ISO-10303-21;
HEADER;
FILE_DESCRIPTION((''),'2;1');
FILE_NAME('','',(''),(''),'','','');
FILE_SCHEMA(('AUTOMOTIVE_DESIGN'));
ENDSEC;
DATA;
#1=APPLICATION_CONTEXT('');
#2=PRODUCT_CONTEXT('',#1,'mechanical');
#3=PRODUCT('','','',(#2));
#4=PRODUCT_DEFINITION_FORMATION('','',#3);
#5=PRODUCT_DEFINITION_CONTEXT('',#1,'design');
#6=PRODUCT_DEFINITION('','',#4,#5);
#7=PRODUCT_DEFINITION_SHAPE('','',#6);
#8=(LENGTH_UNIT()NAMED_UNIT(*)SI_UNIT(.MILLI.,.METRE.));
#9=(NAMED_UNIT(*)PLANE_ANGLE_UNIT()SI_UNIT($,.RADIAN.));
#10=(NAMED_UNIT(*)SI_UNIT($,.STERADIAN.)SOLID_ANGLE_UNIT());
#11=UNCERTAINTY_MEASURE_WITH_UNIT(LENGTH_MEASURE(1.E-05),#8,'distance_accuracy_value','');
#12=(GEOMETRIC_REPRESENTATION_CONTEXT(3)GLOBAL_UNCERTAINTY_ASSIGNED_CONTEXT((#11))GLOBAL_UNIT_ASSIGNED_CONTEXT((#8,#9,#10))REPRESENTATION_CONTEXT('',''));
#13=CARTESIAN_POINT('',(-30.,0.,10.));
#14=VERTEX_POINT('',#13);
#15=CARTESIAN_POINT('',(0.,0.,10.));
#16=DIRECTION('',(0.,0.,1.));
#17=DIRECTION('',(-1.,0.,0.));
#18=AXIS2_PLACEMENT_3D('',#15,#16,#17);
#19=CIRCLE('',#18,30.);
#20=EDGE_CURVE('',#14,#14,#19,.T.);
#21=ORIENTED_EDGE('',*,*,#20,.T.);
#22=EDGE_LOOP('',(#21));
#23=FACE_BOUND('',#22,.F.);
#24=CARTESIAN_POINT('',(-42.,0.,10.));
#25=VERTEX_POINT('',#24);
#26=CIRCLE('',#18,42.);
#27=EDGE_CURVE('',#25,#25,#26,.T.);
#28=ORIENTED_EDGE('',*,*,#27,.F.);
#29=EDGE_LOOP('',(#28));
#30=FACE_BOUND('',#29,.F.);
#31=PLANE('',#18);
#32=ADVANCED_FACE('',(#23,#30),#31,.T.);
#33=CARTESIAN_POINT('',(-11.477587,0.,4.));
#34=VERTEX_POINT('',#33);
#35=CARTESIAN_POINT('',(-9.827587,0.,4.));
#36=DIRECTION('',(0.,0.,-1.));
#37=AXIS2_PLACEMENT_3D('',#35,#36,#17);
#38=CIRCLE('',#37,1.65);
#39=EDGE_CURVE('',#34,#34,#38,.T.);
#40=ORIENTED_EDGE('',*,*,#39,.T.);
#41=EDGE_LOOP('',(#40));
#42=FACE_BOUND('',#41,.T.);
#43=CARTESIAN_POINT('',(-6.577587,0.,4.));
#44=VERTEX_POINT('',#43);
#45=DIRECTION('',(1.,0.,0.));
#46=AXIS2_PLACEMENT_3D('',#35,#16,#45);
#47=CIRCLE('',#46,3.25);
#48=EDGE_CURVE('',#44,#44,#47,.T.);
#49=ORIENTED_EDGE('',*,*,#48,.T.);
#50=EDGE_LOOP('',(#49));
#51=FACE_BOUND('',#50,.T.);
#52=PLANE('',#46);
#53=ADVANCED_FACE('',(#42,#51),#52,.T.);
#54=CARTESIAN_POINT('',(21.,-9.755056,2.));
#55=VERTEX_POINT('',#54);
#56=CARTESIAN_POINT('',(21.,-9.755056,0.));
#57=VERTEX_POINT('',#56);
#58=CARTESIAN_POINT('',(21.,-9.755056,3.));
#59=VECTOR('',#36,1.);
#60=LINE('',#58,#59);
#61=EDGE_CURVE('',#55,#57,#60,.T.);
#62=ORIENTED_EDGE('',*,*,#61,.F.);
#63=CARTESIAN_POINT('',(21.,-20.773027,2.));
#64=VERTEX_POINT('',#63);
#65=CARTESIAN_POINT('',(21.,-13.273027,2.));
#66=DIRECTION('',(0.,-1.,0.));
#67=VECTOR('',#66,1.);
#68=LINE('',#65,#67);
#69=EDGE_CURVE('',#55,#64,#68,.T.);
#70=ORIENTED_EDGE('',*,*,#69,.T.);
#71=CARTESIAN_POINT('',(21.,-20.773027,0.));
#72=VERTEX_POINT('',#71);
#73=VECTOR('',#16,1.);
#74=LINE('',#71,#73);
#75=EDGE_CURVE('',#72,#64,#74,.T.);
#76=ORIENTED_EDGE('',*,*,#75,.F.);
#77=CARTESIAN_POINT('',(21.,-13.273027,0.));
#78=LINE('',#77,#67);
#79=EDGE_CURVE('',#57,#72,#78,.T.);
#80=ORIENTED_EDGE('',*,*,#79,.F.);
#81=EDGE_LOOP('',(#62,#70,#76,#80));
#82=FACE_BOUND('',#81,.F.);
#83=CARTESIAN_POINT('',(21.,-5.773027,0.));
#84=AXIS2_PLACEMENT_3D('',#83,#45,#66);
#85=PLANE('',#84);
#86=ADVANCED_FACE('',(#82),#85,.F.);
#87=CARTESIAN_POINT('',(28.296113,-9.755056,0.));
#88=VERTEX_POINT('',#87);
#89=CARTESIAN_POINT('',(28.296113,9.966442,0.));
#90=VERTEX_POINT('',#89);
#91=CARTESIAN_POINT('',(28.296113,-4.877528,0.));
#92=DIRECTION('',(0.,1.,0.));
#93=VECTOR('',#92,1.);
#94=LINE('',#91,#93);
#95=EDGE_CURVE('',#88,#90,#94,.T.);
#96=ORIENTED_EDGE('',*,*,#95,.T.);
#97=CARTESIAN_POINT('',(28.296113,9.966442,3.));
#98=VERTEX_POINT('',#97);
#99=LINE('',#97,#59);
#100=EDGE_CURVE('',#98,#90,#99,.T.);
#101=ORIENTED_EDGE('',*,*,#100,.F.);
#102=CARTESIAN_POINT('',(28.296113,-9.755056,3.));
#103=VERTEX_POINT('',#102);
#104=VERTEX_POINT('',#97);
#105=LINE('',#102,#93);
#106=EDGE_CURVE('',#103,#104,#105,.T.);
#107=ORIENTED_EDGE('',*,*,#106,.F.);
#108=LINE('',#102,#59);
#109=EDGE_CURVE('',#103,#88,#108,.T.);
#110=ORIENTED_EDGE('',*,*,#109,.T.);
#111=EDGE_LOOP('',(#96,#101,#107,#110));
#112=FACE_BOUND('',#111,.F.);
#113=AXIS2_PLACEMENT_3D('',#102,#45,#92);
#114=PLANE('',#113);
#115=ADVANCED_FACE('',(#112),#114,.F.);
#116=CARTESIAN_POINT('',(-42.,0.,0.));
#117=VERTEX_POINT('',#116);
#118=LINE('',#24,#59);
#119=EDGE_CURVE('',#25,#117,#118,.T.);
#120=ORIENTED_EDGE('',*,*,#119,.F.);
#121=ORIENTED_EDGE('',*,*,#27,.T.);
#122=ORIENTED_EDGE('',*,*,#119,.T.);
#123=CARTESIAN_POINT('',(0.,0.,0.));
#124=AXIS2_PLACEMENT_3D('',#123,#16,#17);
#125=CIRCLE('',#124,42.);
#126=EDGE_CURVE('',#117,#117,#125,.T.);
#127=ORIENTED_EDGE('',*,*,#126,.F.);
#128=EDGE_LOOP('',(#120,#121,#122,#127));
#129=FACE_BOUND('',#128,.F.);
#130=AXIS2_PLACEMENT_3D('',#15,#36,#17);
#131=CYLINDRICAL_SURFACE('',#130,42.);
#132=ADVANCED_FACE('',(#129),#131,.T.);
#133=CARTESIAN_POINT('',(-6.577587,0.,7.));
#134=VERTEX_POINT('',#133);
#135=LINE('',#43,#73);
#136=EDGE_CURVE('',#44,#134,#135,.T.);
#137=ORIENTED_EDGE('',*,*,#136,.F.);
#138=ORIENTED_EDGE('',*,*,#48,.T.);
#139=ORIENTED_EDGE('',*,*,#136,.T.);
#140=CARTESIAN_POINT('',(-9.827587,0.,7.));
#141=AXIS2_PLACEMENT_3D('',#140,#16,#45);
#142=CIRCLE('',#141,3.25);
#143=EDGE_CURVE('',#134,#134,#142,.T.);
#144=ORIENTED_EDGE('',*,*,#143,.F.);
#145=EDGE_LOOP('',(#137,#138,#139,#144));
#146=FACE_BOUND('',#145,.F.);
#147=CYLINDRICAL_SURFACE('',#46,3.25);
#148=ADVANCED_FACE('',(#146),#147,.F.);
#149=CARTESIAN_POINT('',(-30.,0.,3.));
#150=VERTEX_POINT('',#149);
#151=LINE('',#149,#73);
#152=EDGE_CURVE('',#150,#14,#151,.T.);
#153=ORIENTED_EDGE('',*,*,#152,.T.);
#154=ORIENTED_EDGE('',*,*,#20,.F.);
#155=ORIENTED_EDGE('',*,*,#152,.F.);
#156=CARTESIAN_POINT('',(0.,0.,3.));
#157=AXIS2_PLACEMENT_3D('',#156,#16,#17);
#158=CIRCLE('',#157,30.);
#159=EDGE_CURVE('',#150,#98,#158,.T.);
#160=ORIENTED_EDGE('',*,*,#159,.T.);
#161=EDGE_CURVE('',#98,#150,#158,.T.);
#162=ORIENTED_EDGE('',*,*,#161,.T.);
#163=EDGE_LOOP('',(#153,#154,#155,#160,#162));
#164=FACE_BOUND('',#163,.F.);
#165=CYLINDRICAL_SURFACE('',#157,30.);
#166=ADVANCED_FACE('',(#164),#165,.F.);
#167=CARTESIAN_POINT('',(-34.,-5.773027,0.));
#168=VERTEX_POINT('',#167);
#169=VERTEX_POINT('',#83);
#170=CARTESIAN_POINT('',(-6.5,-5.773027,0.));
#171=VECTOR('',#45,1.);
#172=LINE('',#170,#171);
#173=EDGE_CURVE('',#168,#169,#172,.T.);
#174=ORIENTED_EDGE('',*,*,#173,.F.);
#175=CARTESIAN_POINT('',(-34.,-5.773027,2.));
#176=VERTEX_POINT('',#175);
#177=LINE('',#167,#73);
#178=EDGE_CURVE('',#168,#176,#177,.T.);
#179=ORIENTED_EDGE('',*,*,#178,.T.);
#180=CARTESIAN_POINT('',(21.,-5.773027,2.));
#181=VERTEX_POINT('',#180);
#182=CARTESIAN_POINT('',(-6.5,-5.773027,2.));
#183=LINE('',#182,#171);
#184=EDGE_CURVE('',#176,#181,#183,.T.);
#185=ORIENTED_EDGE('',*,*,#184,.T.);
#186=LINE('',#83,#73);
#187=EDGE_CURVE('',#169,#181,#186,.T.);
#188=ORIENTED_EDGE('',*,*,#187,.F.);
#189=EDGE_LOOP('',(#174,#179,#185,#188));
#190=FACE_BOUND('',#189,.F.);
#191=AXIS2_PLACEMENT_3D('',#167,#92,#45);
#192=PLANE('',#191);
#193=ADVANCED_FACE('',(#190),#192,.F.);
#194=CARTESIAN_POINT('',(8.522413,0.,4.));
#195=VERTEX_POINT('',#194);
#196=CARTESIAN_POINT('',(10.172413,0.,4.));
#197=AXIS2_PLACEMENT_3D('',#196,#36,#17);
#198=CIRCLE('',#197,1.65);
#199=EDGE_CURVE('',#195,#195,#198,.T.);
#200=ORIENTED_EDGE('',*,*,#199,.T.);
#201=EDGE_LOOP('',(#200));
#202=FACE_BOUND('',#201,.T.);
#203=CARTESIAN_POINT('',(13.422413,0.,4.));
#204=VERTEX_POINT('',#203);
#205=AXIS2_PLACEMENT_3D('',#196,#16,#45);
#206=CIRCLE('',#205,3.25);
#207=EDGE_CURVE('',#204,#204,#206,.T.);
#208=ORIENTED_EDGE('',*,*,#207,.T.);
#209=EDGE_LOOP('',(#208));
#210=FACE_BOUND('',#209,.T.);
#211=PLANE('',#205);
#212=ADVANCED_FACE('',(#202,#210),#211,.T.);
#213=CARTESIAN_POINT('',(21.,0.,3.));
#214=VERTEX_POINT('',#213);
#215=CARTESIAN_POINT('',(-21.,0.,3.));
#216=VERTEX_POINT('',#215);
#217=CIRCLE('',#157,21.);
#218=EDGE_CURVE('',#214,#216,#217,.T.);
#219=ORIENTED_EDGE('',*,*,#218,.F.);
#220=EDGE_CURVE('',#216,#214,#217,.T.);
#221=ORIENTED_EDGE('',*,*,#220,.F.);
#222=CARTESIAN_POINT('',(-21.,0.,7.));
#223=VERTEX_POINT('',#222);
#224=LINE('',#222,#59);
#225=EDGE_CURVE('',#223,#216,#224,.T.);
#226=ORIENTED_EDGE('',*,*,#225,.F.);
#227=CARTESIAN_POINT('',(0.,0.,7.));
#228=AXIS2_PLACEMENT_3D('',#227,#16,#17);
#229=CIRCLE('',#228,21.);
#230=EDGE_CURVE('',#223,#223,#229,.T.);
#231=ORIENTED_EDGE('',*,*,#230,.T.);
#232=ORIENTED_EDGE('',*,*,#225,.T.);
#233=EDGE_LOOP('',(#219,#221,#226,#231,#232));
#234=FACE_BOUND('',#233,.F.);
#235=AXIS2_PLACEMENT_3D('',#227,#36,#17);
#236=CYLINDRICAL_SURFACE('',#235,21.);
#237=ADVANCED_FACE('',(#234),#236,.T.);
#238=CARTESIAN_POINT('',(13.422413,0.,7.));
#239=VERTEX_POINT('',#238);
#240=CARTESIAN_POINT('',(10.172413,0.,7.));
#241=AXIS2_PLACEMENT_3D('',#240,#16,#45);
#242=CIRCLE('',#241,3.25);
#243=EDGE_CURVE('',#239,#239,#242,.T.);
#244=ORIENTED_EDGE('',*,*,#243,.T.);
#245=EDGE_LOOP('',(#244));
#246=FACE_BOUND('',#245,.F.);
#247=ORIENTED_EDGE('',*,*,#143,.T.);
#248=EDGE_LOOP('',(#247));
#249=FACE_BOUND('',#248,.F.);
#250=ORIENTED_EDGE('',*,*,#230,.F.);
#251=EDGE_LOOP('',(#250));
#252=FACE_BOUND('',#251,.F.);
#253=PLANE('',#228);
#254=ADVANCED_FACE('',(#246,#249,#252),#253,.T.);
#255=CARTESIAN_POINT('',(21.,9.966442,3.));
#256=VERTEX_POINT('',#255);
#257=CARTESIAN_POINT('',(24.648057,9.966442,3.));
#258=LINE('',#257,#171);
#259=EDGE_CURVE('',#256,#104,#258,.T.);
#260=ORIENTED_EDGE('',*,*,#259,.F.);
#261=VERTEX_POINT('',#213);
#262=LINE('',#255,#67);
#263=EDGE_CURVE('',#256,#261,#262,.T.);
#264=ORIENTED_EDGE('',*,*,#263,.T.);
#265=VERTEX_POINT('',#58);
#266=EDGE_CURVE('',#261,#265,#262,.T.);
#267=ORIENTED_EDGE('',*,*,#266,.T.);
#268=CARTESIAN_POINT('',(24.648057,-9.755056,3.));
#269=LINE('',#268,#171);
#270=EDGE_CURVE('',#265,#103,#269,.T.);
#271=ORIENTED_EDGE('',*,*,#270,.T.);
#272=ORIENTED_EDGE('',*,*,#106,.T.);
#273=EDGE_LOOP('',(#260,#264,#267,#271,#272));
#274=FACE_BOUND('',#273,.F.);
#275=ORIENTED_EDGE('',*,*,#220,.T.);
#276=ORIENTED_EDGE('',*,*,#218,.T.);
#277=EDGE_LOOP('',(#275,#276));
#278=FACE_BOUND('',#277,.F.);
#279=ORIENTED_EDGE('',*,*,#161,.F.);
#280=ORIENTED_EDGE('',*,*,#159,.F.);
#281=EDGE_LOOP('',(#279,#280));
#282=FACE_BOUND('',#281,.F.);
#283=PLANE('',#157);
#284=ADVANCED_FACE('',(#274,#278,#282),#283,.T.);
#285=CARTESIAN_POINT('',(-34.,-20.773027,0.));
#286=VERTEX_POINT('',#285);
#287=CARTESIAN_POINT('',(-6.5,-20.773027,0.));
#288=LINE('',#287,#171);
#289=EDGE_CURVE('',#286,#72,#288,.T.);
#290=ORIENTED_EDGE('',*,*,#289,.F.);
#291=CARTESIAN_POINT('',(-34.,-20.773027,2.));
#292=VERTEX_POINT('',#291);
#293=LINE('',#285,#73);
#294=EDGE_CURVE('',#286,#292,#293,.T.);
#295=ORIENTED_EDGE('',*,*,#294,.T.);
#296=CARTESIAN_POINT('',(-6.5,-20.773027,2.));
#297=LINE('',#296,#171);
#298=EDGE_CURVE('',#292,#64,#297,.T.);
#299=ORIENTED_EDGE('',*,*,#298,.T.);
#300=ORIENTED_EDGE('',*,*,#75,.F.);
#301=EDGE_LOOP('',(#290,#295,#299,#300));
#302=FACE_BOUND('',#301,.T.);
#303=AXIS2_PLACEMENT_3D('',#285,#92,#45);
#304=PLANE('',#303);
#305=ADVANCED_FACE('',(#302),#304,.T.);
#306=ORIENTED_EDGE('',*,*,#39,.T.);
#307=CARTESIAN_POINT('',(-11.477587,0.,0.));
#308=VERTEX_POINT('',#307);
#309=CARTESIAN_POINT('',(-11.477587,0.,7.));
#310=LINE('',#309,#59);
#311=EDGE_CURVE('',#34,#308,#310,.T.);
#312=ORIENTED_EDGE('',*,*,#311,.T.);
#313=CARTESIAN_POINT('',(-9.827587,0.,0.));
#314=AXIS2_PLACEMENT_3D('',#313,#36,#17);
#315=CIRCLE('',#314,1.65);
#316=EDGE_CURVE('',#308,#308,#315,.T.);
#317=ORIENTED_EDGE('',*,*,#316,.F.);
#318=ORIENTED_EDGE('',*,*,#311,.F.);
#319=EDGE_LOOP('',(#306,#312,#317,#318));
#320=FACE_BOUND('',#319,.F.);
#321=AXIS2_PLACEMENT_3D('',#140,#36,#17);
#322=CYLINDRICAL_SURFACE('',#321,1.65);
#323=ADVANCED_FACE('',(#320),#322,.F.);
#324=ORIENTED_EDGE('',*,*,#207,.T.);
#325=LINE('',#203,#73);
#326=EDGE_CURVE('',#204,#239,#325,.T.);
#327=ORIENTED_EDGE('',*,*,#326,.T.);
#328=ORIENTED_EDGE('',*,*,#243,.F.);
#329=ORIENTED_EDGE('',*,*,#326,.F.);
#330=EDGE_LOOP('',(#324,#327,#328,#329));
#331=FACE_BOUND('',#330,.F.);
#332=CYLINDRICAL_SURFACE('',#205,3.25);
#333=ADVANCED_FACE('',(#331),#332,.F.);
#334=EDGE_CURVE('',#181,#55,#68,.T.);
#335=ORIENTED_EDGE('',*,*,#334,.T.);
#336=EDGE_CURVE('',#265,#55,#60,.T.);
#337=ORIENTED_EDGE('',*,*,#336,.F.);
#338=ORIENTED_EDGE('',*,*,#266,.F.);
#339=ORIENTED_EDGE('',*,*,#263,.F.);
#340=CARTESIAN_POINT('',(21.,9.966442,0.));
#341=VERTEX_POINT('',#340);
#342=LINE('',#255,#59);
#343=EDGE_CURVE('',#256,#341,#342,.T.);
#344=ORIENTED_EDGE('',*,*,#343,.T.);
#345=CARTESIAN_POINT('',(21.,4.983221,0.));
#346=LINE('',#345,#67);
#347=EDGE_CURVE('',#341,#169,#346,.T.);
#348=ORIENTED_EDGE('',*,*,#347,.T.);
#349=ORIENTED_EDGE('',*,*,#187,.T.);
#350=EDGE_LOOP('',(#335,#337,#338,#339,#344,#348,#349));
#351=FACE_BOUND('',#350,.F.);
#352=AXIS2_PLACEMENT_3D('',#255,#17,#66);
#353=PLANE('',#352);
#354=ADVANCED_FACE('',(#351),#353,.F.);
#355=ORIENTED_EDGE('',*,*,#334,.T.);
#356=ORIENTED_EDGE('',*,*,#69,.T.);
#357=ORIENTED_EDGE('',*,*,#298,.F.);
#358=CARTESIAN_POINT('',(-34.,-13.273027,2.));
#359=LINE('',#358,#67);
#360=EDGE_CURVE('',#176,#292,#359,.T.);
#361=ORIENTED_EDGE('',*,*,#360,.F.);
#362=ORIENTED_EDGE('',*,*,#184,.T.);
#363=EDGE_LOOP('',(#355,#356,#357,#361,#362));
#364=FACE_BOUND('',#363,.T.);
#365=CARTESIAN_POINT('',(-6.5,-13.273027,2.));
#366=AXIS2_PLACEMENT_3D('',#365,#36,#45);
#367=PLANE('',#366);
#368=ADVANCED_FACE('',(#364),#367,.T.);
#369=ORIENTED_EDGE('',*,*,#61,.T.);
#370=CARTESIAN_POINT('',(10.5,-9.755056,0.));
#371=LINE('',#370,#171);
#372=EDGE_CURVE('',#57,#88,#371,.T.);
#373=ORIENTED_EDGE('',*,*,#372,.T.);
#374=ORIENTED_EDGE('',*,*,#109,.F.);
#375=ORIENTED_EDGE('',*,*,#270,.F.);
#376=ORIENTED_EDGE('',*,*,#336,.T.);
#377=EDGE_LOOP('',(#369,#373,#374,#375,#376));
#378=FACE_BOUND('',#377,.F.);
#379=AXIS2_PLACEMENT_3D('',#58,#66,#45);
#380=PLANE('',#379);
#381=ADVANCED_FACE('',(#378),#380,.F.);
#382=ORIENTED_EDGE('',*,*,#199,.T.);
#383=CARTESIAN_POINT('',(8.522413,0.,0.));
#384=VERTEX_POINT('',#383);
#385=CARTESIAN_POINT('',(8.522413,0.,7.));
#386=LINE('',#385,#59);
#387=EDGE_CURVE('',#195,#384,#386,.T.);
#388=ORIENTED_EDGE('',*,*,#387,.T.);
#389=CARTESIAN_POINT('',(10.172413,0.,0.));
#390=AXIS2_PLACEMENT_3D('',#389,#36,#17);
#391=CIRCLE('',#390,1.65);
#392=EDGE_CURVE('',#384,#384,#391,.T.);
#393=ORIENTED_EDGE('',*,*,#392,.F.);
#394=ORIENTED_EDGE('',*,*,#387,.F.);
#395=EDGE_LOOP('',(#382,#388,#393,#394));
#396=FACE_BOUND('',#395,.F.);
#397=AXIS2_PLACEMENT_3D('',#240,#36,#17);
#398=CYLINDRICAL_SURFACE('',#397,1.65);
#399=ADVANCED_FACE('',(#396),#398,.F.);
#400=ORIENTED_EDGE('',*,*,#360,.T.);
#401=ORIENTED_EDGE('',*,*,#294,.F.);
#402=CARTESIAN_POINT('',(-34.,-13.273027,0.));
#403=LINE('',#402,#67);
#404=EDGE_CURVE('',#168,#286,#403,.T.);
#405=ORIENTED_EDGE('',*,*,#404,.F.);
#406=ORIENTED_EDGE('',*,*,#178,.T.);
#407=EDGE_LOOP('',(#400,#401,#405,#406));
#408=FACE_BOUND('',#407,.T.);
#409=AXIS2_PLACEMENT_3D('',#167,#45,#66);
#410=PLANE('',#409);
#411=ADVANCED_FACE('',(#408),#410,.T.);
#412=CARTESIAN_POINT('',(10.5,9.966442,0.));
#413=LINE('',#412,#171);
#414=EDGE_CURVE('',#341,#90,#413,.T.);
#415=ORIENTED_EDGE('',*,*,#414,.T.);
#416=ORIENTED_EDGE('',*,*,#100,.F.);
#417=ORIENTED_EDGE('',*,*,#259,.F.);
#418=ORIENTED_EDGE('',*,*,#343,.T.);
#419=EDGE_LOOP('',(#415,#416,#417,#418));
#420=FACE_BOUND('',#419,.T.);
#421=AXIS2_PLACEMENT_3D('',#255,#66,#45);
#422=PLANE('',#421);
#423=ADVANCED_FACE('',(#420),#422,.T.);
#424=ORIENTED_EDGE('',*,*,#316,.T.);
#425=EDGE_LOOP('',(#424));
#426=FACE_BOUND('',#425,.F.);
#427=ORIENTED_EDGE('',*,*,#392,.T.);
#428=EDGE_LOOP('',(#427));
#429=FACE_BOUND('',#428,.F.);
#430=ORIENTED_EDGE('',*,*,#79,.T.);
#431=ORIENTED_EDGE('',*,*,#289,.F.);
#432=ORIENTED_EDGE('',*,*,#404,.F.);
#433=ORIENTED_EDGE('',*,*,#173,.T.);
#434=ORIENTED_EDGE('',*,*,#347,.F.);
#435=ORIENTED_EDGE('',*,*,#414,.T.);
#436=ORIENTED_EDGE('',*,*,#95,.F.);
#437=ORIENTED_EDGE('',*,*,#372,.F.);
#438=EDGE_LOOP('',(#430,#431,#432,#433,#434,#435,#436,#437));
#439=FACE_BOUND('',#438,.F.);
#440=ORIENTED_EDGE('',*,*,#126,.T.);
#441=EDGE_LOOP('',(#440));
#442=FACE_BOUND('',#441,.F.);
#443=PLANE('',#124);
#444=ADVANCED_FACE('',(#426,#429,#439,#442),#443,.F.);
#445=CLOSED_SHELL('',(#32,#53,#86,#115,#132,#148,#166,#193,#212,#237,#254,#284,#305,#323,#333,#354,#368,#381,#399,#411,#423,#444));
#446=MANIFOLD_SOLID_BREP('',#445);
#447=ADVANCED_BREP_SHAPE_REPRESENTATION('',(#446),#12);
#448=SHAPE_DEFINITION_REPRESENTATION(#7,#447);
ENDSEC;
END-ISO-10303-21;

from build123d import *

# Parameters (mm, degrees)
F2_W           = 7.2961132542
F2_H           = 9.9664424297
F2_H_2         = 9.7550563514
F3_DEPTH       = 25
F4_W           = 55
F4_H           = 15
F5_DEPTH       = 2
F7_D           = 3.3
F7_CBORE_D     = 6.5
F7_CBORE_DEPTH = 3


with BuildPart() as f1:
    # F0 (on Front) → F1 (revolve)
    with BuildSketch(Plane.XZ):
        Polygon((-42, 0), (0, 0), (0, 7), (-21, 7), (-21, 3), (-30, 3), (-30, 10), (-42, 10), align=None)
    revolve(axis=Axis((0, 0, 3.5), (0, 0, 1)))

    # F2 (on face) → F3 (cut)
    with BuildSketch(Plane.XY.offset(3)):
        with Locations((24.6480566271, 4.9832212149)):
            Rectangle(F2_W, F2_H)
        with Locations((24.6480566271, -4.8775281757)):
            Rectangle(F2_W, F2_H_2)
    extrude(amount=-F3_DEPTH, mode=Mode.SUBTRACT)

    # F4 (on face) → F5 (cut)
    with BuildSketch(Plane(origin=(0, 0, 0), x_dir=(1, 0, 0), z_dir=(0, 0, -1))):
        with Locations((-6.5, 13.2730269618)):
            Rectangle(F4_W, F4_H)
    extrude(amount=-F5_DEPTH, mode=Mode.SUBTRACT)

    # F7 (through all)
    with Locations(Plane.XY.offset(7)):
        with Locations((-9.8275868147, 0), (10.1724131853, 0)):
            CounterBoreHole(F7_D / 2, F7_CBORE_D / 2, F7_CBORE_DEPTH)


solid = f1.part
